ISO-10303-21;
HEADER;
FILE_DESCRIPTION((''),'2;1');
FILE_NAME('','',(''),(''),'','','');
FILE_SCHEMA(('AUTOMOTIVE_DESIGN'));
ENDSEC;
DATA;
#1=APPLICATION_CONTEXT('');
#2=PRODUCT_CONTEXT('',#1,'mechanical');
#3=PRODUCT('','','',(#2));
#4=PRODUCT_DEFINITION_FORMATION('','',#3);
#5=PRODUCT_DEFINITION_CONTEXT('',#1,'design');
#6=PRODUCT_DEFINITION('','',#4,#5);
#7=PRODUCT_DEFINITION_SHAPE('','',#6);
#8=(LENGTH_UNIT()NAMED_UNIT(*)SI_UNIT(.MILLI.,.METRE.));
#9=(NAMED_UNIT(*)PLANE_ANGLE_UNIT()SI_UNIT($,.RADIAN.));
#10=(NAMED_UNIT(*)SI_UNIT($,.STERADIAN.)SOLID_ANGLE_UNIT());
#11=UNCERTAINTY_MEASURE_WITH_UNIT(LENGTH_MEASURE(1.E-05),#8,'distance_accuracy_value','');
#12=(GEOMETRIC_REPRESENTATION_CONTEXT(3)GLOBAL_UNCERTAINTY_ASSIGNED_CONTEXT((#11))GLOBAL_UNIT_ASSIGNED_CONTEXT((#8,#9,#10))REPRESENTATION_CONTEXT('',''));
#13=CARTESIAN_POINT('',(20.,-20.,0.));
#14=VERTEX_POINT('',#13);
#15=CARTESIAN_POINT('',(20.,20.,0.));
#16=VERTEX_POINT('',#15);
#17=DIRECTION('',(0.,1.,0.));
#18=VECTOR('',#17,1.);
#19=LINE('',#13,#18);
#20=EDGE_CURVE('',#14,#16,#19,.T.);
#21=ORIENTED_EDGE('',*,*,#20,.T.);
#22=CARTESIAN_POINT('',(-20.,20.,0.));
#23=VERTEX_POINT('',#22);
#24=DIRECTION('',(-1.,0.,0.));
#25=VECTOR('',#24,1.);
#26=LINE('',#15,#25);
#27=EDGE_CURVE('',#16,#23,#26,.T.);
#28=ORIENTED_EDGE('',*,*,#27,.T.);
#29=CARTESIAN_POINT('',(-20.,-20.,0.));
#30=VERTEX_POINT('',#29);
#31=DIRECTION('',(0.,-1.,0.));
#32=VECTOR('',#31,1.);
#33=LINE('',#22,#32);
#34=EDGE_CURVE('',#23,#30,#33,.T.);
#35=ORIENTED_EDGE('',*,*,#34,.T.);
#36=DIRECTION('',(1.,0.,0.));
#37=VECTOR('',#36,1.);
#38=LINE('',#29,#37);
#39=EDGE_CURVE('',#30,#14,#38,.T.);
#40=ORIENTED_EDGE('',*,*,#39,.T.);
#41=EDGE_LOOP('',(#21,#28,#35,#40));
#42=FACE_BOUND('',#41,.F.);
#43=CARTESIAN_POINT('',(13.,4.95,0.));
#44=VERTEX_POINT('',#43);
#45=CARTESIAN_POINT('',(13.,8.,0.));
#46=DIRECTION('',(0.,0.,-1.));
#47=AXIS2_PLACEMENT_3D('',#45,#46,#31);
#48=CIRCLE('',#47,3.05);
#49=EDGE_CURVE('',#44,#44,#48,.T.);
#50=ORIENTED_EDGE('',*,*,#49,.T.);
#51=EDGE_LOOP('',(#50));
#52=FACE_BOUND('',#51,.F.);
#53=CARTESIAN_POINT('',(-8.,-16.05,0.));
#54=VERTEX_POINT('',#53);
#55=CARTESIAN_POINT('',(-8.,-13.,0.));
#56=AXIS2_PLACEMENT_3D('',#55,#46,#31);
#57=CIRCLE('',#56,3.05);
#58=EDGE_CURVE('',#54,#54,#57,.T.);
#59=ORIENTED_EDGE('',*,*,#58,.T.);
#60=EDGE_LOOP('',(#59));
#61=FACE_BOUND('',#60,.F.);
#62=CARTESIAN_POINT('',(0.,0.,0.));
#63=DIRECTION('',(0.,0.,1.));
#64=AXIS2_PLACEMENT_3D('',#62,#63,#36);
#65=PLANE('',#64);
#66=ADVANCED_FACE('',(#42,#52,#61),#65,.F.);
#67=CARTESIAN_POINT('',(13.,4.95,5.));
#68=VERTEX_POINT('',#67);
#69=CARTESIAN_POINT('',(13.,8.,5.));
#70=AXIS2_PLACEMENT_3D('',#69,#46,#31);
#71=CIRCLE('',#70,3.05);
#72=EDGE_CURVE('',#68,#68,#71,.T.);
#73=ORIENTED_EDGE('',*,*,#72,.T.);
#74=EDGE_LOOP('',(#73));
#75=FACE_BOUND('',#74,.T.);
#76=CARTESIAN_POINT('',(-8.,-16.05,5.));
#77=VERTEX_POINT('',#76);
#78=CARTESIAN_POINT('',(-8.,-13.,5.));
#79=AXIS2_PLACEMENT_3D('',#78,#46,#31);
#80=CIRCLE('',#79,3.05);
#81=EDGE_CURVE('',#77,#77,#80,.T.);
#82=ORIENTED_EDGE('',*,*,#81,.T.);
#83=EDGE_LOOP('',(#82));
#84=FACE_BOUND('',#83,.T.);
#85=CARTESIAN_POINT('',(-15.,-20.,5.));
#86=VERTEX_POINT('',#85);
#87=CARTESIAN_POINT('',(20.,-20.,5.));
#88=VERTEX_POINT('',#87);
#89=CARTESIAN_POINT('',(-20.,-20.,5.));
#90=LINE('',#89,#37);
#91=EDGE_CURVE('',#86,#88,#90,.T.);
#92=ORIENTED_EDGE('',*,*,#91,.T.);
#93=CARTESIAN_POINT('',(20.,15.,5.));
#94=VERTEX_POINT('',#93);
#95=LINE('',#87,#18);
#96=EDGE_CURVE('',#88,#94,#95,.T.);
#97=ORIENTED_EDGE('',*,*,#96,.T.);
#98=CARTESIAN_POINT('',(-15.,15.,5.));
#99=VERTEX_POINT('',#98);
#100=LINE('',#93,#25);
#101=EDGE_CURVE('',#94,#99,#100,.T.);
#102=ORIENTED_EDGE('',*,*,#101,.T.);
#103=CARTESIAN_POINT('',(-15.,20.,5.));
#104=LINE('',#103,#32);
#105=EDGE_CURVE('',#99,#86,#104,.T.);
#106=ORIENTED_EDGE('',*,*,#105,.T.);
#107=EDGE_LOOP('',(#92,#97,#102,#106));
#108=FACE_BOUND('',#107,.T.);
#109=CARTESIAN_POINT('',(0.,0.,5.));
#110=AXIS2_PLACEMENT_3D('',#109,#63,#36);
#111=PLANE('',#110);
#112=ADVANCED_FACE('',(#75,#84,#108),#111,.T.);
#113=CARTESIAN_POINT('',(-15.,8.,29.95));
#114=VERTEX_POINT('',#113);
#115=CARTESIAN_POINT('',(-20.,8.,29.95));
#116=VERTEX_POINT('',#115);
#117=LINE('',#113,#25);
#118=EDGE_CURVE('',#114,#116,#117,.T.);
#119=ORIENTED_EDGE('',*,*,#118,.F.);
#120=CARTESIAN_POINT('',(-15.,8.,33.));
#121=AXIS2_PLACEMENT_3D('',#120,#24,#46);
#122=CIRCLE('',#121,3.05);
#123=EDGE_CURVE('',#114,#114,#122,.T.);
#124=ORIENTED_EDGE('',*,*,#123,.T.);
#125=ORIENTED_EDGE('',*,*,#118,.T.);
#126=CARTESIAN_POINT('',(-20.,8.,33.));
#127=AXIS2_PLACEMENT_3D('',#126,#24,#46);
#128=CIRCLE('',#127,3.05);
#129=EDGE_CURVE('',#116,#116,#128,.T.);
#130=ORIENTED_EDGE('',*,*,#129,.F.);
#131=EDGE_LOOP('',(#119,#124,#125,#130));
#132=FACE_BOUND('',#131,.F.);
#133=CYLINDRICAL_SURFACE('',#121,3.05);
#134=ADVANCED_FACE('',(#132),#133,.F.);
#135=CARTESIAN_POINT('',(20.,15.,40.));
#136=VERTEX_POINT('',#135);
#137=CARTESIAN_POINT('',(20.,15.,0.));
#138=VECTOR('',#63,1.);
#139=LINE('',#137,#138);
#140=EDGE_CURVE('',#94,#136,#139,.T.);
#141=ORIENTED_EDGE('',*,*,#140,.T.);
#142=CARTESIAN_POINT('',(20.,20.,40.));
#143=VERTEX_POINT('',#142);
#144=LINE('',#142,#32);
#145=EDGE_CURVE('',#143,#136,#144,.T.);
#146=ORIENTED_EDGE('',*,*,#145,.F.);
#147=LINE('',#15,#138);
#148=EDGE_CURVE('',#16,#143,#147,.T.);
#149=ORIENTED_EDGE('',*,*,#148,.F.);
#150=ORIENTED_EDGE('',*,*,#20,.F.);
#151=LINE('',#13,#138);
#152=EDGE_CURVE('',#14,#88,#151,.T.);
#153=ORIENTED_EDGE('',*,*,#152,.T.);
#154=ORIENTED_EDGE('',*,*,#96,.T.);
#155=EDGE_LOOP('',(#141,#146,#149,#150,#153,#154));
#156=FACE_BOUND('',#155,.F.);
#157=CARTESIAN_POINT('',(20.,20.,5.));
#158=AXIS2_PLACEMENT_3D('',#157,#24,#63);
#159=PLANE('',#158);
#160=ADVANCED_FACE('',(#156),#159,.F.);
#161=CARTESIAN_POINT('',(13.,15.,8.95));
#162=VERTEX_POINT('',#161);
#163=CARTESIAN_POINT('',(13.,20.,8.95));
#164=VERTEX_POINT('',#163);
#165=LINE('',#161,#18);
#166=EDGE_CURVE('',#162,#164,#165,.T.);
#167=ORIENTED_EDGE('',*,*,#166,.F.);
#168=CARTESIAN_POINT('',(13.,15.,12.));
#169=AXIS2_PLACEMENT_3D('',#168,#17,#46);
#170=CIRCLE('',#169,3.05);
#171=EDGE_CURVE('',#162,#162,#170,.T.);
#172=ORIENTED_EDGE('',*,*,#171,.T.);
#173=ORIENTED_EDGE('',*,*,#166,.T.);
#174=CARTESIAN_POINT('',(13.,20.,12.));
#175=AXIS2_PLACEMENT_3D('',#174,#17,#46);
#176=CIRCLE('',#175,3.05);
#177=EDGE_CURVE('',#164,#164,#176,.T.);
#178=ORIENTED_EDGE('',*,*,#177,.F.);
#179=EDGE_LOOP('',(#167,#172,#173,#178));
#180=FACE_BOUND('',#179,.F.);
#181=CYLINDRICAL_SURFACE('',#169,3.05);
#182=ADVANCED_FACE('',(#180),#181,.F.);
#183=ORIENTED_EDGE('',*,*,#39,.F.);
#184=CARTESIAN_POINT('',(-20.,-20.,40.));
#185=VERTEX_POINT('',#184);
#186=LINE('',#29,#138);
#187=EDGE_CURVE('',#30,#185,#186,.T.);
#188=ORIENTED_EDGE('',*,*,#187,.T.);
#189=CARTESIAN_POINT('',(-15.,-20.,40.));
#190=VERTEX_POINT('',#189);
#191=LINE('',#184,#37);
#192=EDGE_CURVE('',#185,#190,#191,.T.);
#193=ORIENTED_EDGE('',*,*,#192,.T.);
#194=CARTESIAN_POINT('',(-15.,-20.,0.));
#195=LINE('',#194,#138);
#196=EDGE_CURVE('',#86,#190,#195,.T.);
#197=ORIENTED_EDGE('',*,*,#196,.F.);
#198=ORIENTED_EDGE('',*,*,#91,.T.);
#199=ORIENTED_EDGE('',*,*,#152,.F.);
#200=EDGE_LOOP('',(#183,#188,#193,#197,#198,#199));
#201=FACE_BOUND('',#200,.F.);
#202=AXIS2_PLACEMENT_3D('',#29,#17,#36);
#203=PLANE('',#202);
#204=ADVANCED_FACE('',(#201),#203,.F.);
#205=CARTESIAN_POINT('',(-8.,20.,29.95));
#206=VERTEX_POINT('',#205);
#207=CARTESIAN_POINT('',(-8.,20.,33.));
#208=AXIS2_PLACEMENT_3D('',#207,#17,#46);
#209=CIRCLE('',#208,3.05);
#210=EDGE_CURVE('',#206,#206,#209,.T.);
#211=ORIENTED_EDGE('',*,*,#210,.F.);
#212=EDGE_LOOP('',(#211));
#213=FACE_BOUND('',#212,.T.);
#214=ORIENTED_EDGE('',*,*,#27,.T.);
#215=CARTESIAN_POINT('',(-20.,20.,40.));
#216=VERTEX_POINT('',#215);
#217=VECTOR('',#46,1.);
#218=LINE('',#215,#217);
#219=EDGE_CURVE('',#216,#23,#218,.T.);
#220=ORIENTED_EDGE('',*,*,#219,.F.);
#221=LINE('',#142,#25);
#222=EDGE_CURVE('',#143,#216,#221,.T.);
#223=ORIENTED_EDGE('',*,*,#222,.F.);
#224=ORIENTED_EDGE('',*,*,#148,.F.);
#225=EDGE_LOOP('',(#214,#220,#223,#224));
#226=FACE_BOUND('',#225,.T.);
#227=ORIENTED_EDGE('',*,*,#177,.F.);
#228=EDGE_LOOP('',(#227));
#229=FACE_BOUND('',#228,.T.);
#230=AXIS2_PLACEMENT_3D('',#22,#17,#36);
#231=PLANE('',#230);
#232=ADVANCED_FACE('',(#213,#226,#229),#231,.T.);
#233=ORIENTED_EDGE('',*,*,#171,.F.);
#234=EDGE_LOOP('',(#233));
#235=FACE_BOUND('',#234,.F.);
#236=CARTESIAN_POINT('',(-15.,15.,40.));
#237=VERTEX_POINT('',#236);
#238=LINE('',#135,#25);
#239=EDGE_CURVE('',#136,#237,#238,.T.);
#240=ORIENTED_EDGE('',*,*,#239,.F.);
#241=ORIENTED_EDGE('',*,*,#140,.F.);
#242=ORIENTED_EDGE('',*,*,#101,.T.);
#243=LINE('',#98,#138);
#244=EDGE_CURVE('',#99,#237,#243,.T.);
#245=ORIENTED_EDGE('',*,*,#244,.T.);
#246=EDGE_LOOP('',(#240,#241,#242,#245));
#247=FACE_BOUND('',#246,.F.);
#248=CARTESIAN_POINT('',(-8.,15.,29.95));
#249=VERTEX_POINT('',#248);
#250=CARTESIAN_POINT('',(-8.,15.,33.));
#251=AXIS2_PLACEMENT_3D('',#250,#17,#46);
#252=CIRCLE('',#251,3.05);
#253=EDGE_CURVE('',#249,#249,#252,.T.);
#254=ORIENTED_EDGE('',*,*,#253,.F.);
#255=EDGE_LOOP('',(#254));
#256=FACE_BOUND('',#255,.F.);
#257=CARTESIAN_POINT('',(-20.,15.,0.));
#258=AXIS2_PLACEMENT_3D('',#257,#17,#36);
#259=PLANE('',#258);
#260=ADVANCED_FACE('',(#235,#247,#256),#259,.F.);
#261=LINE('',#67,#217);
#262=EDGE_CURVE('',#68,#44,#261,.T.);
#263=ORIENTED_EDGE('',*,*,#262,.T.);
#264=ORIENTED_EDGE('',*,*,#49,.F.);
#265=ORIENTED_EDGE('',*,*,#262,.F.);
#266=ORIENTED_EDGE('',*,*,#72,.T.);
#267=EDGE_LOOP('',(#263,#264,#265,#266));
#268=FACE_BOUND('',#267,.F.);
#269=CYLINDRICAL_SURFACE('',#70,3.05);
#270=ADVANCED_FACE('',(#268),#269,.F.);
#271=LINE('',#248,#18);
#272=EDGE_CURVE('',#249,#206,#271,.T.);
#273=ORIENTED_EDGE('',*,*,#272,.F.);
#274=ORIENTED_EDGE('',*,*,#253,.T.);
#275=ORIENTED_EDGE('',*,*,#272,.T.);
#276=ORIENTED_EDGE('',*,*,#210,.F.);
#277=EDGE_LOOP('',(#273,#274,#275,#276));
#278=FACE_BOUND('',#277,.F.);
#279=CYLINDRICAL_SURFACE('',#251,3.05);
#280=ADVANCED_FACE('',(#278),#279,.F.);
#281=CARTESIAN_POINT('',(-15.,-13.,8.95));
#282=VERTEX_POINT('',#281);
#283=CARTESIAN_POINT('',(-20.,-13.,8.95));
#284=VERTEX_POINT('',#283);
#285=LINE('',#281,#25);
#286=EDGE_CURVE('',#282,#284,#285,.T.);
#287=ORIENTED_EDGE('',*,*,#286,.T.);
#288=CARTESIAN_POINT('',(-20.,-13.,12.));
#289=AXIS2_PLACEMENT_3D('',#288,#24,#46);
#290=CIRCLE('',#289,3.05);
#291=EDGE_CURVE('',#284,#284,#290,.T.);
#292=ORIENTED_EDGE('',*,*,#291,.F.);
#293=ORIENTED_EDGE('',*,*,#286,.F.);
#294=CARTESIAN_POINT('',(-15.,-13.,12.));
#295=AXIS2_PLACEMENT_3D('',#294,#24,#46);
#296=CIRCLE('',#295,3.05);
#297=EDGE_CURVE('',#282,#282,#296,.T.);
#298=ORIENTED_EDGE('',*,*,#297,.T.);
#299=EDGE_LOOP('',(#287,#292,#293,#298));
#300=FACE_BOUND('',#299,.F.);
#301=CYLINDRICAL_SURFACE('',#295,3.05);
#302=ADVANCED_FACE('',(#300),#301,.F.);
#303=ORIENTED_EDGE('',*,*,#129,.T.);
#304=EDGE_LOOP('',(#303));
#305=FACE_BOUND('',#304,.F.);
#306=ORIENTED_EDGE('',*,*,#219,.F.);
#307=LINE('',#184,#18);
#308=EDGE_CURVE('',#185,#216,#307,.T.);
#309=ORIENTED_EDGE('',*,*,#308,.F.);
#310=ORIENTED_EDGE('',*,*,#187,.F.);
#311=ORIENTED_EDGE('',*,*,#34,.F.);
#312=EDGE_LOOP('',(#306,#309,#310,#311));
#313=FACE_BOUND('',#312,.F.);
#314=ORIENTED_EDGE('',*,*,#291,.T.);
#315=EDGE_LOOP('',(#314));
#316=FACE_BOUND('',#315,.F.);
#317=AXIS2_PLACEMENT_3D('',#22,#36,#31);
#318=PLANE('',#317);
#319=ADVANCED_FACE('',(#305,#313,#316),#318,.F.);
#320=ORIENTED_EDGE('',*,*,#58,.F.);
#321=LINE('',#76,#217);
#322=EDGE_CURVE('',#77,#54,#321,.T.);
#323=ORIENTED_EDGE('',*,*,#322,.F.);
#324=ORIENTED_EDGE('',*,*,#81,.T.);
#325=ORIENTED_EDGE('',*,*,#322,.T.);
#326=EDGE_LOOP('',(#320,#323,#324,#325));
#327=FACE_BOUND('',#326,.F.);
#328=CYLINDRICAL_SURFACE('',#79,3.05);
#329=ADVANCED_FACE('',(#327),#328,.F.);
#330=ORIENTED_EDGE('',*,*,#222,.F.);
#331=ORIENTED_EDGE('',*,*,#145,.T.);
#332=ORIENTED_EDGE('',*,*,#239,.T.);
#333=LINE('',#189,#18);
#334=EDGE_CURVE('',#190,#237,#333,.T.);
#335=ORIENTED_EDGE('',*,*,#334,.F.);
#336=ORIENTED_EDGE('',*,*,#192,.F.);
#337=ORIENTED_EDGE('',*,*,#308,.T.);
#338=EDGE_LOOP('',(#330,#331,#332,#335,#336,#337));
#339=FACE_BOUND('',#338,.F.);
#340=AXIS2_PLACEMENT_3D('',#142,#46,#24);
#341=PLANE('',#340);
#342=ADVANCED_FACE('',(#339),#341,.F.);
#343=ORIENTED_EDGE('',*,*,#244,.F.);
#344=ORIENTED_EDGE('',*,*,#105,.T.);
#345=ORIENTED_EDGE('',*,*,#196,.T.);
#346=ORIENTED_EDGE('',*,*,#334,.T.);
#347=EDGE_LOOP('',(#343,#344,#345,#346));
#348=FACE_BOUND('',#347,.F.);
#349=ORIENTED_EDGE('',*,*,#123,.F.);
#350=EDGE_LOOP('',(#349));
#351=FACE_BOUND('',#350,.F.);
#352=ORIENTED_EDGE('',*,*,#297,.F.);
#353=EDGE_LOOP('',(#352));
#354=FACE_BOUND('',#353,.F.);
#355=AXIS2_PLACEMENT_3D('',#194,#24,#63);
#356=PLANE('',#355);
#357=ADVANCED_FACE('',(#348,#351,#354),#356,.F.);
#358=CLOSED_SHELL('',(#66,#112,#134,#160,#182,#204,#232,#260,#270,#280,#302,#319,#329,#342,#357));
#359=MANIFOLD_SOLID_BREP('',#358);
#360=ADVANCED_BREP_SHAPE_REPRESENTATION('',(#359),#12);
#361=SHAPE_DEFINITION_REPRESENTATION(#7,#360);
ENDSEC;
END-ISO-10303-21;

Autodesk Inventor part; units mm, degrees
ref_plane "YZ Plane" through (0, 0, 0) normal (1, 0, 0) x (0, 1, 0)
ref_plane "XZ Plane" through (0, 0, 0) normal (0, 1, 0) x (-1, 0, 0)
ref_plane "XY Plane" through (0, 0, 0) normal (0, 0, 1) x (1, 0, 0)
sketch "Skizze1" plane through (0, 0, 0) normal (0, 0, 1) x (1, 0, 0)
  line L0 (-20, -20) -> (20, -20)
  line L1 (20, -20) -> (20, 20)
  line L2 (20, 20) -> (-20, 20)
  line L3 (-20, 20) -> (-20, -20)
  line L4 (-20, -20) -> (20, 20) construction
  line L5 (20, -20) -> (-20, 20) construction
  point P0 (0, 0)
  dimension "d0" = 40
  dimension "d1" = 40
extrude "Extrusion1" add sketch "Skizze1" along normal blind 5
sketch "Skizze2" plane through (-20, -20, 0) normal (-1, 0, 0) x (0, 0, 1)
  line L0 (5, 40) -> (5, 0) projected
  line L1 (0, 0) -> (40, 0)
  line L2 (40, 0) -> (40, 40)
  line L3 (40, 40) -> (0, 40)
  line L4 (0, 40) -> (0, 0)
  point P0 (0, 20)
  dimension "d4" = 40
  dimension "d5" = 40
extrude "Extrusion2" add sketch "Skizze2" against normal blind 5 contours L3 L2 L1 L0
sketch "Skizze3" plane through (-20, 20, 0) normal (0, 1, 0) x (1, 0, 0)
  line L0 (40, 0) -> (0, 0) projected
  line L1 (0, 0) -> (0, -40) projected
  line L2 (5, -5) -> (5, -40) projected
  line L3 (40, -5) -> (5, -5) projected
  line L4 (0, 0) -> (40, 0)
  line L5 (40, 0) -> (40, -40)
  line L6 (40, -40) -> (0, -40)
  line L7 (0, -40) -> (0, 0)
  point P0 (20, 0)
  point P1 (5, -40)
  point P2 (0, -5)
  dimension "d8" = 40
  dimension "d9" = 40
extrude "Extrusion3" add sketch "Skizze3" against normal blind 5 contours L5 L6 L2 L3
sketch "Skizze4" plane through (-15, -20, 0) normal (1, 0, 0) x (0, 0, -1)
  line L0 (-5, 35) -> (-40, 35) projected
  line L1 (-40, 40) -> (-40, 0) projected
  line L2 (-40, 0) -> (-5, 0) projected
  line L3 (-5, 40) -> (-5, 0) projected
  point P0 (0, 20)
  point P1 (-33, 28)
  point P2 (-12, 7)
  dimension "d12" = 7
  dimension "d13" = 7
  dimension "d14" = 7
  dimension "d15" = 7
hole "Bohrung1" at (-15, 8, 33) at (-15, -13, 12) direction (-1, 0, 0) diameter 6.1 end through all
sketch "Skizze5" plane through (-20, 15, 0) normal (0, -1, 0) x (1, 0, 0)
  line L0 (40, 5) -> (40, 40) projected
  line L1 (40, 40) -> (5, 40) projected
  line L2 (5, 5) -> (5, 40) projected
  line L3 (40, 5) -> (5, 5) projected
  point P0 (20, 0)
  point P1 (12, 33)
  point P2 (33, 12)
  dimension "d23" = 7
  dimension "d24" = 7
  dimension "d25" = 7
  dimension "d26" = 7
hole "Bohrung2" at (-8, 15, 33) at (13, 15, 12) direction (0, 1, 0) diameter 6.1 end through all
sketch "Skizze6" plane through (0, 0, 5) normal (0, 0, 1) x (1, 0, 0)
  line L0 (20, 15) -> (-15, 15) projected
  line L1 (-15, 15) -> (-15, -20) projected
  line L2 (-15, -20) -> (20, -20) projected
  line L3 (20, -20) -> (20, 15) projected
  point P0 (0, 0)
  point P1 (-8, -13)
  point P2 (13, 8)
  dimension "d34" = 7
  dimension "d35" = 7
  dimension "d36" = 7
  dimension "d37" = 7
hole "Bohrung3" at (-8, -13, 5) at (13, 8, 5) direction (0, 0, -1) diameter 6.1 end through all
equation "\"d5\" = d4"
equation "\"d8\" = d9"
equation "\"d13\" = d12"
equation "\"d14\" = d12"
equation "\"d15\" = d12"
equation "\"d24\" = d23"
equation "\"d25\" = d23"
equation "\"d26\" = d23"
equation "\"d35\" = d34"
equation "\"d36\" = d34"
equation "\"d37\" = d34"
properties part number "Ecken_Box"
